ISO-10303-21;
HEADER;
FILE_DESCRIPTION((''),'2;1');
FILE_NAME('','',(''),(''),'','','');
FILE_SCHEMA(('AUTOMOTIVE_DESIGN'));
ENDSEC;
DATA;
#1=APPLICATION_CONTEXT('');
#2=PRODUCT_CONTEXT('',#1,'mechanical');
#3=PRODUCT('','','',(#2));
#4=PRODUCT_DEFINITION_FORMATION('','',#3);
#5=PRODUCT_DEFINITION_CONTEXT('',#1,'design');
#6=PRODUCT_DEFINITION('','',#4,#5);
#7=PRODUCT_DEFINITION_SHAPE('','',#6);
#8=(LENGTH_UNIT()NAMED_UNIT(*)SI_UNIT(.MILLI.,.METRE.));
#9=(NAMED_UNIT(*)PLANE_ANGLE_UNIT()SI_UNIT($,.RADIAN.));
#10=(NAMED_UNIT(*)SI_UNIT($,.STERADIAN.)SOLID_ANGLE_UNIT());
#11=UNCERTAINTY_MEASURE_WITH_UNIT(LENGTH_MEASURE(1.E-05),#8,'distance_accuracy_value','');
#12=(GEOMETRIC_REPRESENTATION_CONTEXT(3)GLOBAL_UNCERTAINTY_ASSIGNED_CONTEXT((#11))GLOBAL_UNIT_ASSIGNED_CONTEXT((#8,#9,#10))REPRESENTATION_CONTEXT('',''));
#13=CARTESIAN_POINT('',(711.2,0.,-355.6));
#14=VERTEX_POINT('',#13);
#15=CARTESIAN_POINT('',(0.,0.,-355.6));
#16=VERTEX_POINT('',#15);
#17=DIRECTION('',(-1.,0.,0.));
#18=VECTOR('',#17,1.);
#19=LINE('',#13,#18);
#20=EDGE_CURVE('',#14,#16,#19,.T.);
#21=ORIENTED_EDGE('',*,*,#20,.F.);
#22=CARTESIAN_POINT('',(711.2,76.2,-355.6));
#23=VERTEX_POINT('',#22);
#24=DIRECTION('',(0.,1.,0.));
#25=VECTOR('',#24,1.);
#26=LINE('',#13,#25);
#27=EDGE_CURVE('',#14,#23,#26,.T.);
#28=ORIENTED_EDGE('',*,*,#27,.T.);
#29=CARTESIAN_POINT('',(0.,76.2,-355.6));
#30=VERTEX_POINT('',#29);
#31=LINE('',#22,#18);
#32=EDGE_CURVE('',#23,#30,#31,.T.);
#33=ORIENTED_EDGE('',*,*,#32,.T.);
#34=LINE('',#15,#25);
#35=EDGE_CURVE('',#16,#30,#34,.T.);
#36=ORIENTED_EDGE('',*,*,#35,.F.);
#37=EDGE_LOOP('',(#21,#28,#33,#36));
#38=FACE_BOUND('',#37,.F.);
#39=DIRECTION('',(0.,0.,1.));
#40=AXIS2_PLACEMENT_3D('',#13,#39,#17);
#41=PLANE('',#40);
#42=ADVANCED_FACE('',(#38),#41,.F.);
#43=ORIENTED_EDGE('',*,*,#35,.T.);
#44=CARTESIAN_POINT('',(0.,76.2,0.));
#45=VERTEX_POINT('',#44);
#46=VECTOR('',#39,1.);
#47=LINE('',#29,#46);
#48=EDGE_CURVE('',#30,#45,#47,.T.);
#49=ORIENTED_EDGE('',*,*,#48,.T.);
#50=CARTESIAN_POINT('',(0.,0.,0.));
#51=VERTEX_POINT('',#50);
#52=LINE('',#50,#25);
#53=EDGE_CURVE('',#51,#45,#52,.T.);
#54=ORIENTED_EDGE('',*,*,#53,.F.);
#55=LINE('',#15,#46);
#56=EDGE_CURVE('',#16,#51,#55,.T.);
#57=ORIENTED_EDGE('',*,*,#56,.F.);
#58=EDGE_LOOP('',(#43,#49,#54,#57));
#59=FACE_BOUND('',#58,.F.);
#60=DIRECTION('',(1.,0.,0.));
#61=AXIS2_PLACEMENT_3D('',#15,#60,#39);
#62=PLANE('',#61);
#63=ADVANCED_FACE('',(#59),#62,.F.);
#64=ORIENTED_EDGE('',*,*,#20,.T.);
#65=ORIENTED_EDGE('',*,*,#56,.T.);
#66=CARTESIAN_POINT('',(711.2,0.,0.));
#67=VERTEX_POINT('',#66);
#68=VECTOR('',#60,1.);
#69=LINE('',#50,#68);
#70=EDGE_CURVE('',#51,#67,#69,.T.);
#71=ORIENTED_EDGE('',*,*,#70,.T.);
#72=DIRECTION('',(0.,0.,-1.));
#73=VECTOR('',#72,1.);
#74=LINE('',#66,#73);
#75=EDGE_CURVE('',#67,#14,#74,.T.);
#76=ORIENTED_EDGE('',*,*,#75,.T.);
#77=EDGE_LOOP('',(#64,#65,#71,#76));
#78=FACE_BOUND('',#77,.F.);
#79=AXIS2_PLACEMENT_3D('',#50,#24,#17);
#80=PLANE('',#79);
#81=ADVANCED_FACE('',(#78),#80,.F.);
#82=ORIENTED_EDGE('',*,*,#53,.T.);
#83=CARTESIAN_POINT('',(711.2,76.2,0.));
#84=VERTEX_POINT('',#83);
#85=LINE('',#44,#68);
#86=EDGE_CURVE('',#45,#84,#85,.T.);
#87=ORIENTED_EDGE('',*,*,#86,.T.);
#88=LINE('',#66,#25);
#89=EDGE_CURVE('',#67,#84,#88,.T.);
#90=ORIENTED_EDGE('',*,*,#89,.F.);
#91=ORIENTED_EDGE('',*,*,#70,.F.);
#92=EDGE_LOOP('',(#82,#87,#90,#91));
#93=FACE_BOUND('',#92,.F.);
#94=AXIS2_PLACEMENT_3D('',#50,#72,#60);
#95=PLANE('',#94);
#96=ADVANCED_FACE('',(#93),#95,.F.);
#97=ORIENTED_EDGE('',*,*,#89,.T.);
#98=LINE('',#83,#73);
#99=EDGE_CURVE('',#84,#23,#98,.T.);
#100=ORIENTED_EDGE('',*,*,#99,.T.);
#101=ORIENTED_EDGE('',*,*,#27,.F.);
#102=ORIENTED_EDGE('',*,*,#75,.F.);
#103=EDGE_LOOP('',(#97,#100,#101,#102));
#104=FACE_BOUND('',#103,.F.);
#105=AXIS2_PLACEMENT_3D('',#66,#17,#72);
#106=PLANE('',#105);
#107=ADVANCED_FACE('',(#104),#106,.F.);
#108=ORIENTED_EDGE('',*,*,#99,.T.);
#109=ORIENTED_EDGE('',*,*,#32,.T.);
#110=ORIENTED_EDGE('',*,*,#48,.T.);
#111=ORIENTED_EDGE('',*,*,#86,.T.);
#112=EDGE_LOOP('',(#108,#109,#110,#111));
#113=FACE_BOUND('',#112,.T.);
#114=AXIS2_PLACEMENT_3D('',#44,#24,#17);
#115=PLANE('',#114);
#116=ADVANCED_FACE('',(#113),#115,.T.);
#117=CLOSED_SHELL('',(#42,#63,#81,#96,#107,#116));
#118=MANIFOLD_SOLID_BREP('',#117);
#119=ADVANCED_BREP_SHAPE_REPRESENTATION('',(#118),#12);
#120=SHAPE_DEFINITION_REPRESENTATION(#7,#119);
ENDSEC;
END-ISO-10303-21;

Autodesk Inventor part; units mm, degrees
ref_plane "YZ Plane" through (0, 0, 0) normal (1, 0, 0) x (0, 1, 0)
ref_plane "XZ Plane" through (0, 0, 0) normal (0, 1, 0) x (-1, 0, 0)
ref_plane "XY Plane" through (0, 0, 0) normal (0, 0, 1) x (1, 0, 0)
sketch "Sketch1" plane through (0, 0, 0) normal (0, 1, 0) x (-1, 0, 0)
  line L0 (0, 0) -> (-711.2, 0)
  line L1 (-711.2, 0) -> (-711.2, -355.6)
  line L2 (-711.2, -355.6) -> (0, -355.6)
  line L3 (0, -355.6) -> (0, 0)
  dimension "d0" = 711.2
  dimension "d1" = 355.6
extrude "Extrusion1" add sketch "Sketch1" along normal blind 76.2
properties part number "28x14x3 - 10" material "Granite, Cut, Polished"
